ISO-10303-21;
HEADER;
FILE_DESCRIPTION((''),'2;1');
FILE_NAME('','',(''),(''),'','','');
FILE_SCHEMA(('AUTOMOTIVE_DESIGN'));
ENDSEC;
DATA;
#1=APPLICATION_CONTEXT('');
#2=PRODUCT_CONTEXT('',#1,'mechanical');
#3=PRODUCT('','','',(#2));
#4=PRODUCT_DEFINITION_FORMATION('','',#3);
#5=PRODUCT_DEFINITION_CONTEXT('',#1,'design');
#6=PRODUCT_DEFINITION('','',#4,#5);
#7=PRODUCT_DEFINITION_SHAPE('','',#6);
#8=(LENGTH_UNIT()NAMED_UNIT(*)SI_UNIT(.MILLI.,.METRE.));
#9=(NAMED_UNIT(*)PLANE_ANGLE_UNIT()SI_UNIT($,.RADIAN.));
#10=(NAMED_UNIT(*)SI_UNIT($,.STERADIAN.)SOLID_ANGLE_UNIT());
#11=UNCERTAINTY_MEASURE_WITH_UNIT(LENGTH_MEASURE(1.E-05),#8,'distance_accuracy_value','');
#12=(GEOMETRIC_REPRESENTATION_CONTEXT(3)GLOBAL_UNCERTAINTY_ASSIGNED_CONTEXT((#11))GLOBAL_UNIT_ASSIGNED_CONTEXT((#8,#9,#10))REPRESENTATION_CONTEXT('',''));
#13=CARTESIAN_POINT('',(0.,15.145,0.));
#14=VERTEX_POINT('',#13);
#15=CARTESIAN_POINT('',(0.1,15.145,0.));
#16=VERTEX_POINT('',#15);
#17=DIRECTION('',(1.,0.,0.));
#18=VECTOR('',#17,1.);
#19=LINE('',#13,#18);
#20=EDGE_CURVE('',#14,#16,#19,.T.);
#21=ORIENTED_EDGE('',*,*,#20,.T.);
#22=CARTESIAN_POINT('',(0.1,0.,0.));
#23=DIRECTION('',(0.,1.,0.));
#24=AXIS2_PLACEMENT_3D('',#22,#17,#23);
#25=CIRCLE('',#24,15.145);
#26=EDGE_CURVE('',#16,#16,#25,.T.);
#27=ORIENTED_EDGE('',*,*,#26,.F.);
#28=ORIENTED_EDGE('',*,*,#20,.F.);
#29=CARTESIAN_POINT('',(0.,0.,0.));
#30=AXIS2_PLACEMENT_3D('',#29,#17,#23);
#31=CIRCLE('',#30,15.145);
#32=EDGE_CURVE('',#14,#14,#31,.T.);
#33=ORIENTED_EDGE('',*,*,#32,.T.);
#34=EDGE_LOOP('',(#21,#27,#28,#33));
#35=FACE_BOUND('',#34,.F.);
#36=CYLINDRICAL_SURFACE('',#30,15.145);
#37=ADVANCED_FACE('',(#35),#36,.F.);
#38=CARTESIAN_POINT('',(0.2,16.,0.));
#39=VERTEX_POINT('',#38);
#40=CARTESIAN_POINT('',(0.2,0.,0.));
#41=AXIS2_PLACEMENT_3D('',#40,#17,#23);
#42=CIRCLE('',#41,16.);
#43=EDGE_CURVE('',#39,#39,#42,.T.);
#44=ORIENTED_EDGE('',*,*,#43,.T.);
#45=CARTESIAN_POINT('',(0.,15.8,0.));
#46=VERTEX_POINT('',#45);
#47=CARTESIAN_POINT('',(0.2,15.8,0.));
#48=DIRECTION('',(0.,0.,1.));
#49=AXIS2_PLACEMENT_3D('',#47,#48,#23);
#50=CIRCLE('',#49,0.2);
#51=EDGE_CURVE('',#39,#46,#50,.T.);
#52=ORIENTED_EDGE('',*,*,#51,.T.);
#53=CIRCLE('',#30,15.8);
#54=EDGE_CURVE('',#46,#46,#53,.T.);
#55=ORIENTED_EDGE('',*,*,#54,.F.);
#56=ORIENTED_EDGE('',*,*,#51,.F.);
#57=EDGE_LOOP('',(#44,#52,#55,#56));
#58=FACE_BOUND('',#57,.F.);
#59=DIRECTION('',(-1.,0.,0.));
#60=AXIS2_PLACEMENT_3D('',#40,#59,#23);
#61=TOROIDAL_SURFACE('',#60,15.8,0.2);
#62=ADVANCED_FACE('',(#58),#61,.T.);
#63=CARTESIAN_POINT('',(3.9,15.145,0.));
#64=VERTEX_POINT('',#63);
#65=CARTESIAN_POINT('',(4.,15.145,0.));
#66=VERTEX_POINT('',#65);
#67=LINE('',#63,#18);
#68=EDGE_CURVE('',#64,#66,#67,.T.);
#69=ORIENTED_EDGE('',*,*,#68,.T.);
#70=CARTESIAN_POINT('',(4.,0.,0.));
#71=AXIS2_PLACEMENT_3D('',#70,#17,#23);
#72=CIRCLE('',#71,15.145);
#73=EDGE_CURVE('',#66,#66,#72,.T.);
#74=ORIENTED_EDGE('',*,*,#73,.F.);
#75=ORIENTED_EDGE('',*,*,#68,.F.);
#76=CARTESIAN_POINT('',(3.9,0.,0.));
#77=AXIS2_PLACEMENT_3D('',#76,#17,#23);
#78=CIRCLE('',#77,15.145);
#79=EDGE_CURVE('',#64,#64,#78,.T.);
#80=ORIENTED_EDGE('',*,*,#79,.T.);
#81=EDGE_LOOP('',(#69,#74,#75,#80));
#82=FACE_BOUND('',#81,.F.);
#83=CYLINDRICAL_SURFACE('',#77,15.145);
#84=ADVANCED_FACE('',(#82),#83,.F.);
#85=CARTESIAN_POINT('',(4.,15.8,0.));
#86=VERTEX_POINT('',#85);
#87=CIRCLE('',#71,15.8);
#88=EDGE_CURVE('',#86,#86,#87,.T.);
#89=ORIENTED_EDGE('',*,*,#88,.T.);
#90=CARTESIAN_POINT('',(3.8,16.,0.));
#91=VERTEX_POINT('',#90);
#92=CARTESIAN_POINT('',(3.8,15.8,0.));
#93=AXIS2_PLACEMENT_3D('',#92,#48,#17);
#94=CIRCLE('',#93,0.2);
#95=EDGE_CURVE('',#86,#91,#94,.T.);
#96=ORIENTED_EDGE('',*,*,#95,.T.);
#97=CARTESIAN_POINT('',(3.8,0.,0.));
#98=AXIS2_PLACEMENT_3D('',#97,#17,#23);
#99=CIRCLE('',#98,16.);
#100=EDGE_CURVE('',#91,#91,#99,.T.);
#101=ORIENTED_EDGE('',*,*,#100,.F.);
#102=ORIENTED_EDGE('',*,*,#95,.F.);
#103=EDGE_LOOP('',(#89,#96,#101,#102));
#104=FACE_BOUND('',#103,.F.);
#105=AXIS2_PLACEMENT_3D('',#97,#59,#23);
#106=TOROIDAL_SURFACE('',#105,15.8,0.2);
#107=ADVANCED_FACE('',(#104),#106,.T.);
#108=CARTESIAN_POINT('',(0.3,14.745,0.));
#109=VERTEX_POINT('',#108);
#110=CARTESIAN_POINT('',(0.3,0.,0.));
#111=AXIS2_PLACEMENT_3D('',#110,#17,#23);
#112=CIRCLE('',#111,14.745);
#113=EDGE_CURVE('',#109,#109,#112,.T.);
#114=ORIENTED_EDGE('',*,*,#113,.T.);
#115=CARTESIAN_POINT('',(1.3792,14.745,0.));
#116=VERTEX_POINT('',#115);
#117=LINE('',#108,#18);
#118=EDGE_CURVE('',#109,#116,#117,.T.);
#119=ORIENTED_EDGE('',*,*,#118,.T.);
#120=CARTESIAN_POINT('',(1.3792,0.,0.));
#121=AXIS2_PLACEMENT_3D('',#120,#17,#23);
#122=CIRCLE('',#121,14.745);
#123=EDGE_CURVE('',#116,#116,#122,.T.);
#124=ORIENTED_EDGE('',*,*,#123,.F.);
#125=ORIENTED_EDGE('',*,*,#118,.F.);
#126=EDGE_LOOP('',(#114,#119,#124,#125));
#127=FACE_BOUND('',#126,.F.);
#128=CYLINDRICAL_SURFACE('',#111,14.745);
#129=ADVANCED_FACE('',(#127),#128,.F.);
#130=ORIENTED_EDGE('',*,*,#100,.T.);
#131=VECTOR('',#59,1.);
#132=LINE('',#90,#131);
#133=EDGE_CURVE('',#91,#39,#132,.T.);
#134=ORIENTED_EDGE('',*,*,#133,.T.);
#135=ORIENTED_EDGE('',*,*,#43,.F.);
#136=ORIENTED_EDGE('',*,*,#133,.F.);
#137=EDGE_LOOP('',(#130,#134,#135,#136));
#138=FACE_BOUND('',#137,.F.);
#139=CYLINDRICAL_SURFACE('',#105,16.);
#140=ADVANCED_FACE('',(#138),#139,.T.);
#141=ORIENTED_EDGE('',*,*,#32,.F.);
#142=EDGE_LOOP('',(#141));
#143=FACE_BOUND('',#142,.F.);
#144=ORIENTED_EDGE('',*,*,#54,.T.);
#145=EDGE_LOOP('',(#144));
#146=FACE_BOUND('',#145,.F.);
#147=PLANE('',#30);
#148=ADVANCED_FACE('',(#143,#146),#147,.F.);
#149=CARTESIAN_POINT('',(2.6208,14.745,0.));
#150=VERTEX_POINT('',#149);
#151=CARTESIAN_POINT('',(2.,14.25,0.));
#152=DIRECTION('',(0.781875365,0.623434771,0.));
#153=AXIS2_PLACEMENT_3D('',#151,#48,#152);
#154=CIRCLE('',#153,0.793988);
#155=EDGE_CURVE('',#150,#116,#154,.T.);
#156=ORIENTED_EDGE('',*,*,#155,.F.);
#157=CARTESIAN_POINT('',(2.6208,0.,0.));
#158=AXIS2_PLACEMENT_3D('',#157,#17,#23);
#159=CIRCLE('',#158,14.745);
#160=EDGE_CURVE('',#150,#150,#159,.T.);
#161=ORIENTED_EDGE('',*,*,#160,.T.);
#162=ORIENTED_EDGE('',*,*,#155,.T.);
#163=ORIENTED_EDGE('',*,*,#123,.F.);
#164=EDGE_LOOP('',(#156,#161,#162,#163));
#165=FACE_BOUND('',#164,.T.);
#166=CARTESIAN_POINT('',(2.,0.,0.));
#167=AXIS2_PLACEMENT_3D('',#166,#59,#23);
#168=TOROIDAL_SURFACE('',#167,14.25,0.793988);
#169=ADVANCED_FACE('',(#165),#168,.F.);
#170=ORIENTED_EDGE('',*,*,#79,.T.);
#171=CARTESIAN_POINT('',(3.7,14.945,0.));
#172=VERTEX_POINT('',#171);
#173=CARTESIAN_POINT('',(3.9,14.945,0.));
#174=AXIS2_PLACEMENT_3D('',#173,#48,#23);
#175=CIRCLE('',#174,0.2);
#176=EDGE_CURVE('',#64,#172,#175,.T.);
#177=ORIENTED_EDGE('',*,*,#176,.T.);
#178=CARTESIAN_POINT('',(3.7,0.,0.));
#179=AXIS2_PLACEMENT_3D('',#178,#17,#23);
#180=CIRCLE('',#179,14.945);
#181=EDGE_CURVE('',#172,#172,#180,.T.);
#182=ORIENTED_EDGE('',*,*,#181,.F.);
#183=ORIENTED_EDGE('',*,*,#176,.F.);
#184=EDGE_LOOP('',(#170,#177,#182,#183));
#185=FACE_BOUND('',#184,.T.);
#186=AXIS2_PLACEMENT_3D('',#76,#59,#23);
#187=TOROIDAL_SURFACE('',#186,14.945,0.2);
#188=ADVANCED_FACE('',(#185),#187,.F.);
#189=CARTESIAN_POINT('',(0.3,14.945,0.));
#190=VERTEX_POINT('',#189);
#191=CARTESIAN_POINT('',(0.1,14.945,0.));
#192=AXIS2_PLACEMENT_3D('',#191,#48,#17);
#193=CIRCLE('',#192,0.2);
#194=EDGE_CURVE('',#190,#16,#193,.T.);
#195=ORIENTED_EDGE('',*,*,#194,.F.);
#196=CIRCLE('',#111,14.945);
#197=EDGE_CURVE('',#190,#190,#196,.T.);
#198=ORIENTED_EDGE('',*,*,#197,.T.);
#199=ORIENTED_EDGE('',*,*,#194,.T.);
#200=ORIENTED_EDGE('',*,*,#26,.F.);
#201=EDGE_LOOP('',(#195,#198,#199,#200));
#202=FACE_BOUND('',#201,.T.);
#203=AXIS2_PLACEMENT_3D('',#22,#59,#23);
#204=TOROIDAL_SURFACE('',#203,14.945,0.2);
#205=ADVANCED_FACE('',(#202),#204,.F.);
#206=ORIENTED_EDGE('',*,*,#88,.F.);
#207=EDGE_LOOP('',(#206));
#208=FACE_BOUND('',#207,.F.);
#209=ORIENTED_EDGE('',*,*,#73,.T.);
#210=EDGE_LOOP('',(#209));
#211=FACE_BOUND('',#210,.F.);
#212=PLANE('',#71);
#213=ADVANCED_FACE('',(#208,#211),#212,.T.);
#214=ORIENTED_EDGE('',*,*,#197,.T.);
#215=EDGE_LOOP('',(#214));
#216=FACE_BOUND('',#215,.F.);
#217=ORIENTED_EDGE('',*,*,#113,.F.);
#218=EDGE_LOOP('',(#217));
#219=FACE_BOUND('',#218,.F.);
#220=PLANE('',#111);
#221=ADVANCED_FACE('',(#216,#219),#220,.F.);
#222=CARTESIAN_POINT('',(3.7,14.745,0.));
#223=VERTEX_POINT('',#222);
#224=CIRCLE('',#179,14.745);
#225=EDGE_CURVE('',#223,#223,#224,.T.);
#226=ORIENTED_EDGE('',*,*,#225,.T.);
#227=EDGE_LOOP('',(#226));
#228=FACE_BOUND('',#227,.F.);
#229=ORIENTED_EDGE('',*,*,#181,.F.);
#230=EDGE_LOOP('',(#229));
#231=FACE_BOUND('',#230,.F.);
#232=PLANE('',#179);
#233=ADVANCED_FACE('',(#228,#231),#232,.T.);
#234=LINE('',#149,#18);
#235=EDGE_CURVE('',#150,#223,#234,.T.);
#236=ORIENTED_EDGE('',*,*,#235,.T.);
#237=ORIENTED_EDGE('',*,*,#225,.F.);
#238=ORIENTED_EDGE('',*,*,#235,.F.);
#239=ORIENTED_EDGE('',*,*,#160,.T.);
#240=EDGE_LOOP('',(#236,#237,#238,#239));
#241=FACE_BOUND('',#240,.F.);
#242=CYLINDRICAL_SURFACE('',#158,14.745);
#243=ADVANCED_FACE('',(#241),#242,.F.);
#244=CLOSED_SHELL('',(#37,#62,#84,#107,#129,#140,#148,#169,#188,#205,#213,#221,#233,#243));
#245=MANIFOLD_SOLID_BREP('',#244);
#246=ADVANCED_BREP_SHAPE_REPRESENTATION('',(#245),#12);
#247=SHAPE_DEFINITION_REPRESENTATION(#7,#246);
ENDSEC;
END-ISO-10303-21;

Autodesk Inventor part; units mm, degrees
ref_plane "YZ Plane" through (0, 0, 0) normal (1, 0, 0) x (0, 1, 0)
ref_plane "XZ Plane" through (0, 0, 0) normal (0, 1, 0) x (-1, 0, 0)
ref_plane "XY Plane" through (0, 0, 0) normal (0, 0, 1) x (1, 0, 0)
sketch "Sketch_9" plane through (0, 0, 0) normal (0, 0, 1) x (1, 0, 0)
  line L0 (50, 0) -> (-50, 0)
  line L1 (0, 15.8) -> (0, 15.145)
  line L2 (0, 15.145) -> (0.1, 15.145)
  arc A0 (0.3, 14.945) -> (0.1, 15.145) centre (0.1, 14.945) ccw
  line L3 (0.3, 14.945) -> (0.3, 14.745)
  line L4 (0.3, 14.745) -> (1.3792, 14.745)
  arc A1 (2.6208, 14.745) -> (1.3792, 14.745) centre (2, 14.25) ccw
  line L5 (2.6208, 14.745) -> (3.7, 14.745)
  line L6 (3.7, 14.745) -> (3.7, 14.945)
  arc A2 (3.9, 15.145) -> (3.7, 14.945) centre (3.9, 14.945) ccw
  line L7 (3.9, 15.145) -> (4, 15.145)
  line L8 (4, 15.145) -> (4, 15.8)
  arc A3 (4, 15.8) -> (3.8, 16) centre (3.8, 15.8) ccw
  line L9 (3.8, 16) -> (0.2, 16)
  arc A4 (0.2, 16) -> (0, 15.8) centre (0.2, 15.8) ccw
revolve "Revolution1" add sketch "Sketch_9" angle 360 about axis through (50, 0, 0) along (1, 0, 0)
properties part number "W 61705-2RZ_PART2" material "Stainless Steel"
